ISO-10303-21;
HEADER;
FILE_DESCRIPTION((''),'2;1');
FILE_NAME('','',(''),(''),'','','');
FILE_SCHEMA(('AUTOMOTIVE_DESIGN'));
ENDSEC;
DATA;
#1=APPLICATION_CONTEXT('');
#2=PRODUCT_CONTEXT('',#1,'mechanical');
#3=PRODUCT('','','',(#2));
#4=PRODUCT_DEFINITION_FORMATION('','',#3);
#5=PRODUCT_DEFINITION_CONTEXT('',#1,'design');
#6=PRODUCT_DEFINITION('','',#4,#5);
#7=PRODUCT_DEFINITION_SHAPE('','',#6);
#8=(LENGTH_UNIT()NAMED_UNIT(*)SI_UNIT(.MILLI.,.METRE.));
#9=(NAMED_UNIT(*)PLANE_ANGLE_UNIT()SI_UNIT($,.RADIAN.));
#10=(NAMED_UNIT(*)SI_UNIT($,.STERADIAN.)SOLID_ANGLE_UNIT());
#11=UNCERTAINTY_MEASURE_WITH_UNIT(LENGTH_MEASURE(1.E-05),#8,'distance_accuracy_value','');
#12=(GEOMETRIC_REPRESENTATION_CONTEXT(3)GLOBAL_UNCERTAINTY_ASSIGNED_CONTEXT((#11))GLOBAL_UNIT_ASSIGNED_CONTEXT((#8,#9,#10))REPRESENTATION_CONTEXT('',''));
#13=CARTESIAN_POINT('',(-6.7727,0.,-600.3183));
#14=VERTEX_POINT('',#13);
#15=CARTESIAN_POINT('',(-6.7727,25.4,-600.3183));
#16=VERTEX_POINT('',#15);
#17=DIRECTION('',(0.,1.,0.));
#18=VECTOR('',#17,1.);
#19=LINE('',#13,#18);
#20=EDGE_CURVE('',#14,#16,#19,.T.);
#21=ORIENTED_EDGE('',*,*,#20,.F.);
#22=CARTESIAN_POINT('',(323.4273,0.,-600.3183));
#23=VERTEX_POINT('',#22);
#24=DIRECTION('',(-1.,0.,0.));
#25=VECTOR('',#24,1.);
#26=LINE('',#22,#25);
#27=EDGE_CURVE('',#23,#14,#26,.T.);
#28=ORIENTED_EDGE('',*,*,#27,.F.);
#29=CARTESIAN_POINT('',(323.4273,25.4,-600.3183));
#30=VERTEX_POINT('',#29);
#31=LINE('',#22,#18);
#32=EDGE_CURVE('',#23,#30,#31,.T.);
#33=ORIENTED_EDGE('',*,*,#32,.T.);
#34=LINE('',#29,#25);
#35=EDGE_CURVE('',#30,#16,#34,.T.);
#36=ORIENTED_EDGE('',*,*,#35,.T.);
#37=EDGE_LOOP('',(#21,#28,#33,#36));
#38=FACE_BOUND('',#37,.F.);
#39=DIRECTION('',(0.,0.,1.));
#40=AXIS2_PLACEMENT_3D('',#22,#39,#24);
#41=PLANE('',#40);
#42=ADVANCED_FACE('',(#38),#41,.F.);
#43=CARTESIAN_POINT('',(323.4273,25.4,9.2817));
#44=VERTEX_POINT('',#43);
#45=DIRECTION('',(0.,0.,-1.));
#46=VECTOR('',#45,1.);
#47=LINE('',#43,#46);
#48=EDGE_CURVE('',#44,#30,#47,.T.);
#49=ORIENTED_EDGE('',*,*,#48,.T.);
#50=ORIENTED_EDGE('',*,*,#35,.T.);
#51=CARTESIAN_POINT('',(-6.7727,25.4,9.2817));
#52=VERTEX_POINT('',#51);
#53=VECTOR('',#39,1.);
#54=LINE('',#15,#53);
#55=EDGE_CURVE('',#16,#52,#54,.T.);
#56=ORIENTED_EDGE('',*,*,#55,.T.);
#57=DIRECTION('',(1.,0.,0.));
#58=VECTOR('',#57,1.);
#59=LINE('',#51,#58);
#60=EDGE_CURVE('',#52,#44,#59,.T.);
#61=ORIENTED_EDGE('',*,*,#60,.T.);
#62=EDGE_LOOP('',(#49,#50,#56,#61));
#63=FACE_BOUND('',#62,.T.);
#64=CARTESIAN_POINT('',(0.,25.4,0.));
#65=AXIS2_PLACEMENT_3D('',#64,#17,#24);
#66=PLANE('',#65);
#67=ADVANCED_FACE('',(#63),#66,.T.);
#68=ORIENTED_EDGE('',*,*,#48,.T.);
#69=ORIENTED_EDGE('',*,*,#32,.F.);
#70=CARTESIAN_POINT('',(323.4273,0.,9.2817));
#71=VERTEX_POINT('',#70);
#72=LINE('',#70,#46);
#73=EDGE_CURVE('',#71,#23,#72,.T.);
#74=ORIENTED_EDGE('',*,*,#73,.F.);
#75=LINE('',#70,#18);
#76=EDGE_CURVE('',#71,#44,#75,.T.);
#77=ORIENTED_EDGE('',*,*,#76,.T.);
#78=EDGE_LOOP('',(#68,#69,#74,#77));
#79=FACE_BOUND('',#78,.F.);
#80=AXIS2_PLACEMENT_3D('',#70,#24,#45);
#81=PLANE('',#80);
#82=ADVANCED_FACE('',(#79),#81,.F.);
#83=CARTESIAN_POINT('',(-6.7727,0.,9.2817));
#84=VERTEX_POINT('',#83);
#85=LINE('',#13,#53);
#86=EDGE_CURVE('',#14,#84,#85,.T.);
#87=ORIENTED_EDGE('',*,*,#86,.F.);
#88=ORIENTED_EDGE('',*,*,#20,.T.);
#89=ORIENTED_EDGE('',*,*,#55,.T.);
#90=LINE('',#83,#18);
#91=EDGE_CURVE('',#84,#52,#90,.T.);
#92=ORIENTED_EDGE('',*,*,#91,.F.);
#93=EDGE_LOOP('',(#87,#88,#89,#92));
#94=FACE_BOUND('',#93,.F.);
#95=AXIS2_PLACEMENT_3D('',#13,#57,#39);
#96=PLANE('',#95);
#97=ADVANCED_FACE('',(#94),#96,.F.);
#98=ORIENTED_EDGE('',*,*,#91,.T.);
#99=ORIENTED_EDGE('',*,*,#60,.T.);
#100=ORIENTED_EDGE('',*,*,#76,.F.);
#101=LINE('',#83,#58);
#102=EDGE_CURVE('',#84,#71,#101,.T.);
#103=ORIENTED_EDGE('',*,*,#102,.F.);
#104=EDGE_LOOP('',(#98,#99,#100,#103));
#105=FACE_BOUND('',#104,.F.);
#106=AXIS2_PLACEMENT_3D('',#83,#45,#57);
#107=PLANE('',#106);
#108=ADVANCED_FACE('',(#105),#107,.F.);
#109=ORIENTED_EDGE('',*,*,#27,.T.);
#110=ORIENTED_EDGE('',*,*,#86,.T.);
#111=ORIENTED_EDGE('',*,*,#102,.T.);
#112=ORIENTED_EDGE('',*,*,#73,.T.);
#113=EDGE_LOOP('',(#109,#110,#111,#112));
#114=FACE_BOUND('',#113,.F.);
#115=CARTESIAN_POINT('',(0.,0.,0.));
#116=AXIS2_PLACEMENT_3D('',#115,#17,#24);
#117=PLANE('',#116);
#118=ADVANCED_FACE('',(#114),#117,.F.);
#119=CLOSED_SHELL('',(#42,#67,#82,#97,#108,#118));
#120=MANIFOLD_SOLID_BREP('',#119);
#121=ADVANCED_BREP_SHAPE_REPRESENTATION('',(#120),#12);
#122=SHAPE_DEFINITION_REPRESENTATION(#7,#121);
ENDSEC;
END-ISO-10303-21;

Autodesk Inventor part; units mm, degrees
ref_plane "YZ Plane" through (0, 0, 0) normal (1, 0, 0) x (0, 1, 0)
ref_plane "XZ Plane" through (0, 0, 0) normal (0, 1, 0) x (-1, 0, 0)
ref_plane "XY Plane" through (0, 0, 0) normal (0, 0, 1) x (1, 0, 0)
sketch "Sketch1" plane through (0, 0, 0) normal (0, 1, 0) x (-1, 0, 0)
  line L0 (6.7727, 9.2817) -> (-323.4273, 9.2817)
  line L1 (-323.4273, 9.2817) -> (-323.4273, -600.3183)
  line L2 (-323.4273, -600.3183) -> (6.7727, -600.3183)
  line L3 (6.7727, -600.3183) -> (6.7727, 9.2817)
  point P0 (0, 0)
  dimension "d0" = 330.2
  dimension "d1" = 609.6
extrude "Extrusion1" add sketch "Sketch1" along normal blind 25.4
properties part number "Top Of Cart"
